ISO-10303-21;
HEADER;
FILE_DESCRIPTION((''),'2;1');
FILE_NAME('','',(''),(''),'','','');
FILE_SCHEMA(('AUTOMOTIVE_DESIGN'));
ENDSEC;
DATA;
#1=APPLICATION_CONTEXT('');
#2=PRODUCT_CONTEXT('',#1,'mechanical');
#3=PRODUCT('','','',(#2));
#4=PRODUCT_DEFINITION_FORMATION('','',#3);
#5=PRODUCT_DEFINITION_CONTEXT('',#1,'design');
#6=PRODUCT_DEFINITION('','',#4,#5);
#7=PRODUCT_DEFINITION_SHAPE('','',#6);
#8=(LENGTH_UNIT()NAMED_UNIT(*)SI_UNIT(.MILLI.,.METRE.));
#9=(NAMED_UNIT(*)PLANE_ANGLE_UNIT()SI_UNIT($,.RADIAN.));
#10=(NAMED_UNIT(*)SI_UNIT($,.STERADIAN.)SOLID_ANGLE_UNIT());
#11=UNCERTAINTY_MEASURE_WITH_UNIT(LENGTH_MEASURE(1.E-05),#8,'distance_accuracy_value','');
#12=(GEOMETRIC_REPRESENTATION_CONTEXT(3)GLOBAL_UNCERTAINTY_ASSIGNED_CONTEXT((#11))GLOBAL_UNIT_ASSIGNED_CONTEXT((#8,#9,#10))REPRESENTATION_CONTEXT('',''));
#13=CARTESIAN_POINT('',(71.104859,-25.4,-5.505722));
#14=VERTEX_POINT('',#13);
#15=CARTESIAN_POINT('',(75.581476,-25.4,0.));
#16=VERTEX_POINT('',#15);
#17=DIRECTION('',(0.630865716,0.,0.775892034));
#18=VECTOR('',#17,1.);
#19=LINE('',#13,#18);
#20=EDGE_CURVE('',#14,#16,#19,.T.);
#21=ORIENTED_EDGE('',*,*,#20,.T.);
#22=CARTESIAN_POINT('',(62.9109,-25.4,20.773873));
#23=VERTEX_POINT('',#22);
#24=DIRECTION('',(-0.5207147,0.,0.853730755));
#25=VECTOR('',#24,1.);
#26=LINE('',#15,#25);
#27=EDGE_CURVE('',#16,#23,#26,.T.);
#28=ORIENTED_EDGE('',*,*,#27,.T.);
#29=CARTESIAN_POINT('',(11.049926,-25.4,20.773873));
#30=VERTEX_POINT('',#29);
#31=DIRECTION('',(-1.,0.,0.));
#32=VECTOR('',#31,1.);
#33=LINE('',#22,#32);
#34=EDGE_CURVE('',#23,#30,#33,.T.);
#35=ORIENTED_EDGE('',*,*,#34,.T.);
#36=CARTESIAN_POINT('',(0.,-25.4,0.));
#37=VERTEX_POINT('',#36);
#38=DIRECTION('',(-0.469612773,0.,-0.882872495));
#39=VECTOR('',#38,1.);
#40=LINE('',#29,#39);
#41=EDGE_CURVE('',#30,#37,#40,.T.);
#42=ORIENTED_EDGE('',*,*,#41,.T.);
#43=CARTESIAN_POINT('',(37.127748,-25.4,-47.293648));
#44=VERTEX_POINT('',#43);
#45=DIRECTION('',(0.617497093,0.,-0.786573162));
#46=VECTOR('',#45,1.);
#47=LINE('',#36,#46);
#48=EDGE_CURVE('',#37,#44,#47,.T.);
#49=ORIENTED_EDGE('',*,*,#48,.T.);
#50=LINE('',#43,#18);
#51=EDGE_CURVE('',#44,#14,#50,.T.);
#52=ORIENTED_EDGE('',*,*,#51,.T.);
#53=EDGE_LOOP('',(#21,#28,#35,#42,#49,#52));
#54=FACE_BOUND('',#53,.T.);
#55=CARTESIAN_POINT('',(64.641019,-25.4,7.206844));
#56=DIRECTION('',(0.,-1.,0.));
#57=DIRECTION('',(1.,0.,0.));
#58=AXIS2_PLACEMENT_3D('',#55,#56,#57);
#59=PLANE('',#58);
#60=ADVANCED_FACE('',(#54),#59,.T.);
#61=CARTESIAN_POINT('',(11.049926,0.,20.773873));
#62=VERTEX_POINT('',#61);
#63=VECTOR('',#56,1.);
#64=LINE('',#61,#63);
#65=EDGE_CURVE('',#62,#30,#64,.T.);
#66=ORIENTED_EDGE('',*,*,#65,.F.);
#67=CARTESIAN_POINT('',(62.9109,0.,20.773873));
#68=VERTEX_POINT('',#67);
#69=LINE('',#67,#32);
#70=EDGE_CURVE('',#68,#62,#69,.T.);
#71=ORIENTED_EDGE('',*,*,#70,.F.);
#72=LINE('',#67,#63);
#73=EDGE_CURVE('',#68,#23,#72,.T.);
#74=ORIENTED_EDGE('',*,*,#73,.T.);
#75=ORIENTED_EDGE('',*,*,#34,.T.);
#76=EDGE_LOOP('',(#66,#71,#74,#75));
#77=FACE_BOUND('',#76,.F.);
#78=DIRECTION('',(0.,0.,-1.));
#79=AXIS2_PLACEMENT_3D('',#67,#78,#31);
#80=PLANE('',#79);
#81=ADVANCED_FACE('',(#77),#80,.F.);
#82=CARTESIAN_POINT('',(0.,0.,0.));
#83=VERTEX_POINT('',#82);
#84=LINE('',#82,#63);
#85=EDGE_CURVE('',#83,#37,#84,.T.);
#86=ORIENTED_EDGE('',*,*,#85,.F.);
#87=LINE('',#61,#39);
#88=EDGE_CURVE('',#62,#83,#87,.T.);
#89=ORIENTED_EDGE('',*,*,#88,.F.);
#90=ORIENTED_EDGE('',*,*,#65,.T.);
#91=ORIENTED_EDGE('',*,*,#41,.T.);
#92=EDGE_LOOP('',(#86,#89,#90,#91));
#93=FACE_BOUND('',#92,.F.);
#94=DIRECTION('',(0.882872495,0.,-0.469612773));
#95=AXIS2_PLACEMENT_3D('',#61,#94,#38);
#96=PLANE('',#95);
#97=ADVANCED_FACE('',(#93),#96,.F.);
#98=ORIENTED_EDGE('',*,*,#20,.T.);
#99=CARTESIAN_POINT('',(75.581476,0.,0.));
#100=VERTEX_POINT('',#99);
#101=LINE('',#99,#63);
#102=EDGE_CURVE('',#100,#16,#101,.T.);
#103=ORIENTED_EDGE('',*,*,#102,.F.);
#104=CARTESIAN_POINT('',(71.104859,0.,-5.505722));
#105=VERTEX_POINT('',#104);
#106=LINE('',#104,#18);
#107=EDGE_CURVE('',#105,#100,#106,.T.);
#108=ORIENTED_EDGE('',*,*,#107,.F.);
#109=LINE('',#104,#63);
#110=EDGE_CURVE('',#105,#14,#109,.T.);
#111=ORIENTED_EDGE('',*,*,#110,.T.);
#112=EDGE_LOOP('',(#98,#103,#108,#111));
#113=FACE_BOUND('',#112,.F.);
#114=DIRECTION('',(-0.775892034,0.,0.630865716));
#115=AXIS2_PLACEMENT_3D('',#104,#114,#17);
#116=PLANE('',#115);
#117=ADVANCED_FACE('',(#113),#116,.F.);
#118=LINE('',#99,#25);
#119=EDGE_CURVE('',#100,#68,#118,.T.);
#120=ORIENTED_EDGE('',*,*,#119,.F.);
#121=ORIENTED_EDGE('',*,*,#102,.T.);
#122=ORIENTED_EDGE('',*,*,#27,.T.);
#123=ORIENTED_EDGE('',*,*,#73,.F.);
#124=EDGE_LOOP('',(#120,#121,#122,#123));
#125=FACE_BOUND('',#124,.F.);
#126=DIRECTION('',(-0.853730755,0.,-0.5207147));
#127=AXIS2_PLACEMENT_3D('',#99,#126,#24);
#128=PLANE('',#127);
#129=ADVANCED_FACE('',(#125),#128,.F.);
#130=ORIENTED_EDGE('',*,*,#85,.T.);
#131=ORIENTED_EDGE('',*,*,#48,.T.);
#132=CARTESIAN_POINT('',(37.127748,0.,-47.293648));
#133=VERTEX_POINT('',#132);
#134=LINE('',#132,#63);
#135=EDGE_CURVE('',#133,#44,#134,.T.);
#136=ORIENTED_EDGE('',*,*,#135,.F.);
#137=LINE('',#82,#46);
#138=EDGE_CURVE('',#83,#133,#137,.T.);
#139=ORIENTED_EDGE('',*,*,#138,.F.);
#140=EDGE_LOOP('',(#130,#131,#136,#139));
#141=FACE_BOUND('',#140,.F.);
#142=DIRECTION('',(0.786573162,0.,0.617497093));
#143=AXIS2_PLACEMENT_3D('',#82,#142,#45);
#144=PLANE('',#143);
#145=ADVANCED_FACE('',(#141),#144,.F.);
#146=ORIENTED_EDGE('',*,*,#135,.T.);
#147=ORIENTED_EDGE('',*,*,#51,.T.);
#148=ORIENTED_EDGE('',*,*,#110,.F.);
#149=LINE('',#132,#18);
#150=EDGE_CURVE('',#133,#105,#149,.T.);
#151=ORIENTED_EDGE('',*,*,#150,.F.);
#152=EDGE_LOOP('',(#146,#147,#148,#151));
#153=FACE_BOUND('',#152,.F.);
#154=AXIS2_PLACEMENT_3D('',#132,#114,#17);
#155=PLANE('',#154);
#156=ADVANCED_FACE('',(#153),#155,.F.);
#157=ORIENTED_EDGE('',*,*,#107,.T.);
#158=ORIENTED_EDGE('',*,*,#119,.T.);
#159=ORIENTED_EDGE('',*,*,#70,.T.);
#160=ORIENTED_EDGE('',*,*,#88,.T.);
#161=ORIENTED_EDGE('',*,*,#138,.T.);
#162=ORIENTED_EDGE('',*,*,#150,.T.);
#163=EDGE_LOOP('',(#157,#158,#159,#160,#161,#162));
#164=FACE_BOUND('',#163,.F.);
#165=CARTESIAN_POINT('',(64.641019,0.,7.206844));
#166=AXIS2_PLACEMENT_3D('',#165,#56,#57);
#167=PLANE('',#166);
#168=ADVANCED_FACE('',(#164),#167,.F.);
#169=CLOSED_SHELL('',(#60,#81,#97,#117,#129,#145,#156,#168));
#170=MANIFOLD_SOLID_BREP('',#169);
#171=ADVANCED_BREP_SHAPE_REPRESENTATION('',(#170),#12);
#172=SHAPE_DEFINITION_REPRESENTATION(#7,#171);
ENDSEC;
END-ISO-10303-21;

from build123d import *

# Parameters (mm, degrees)
F1_DEPTH = 25.4


with BuildPart() as f1:
    # F0 (on Front) → F1 (new body)
    with BuildSketch(Plane.XZ):
        Polygon((55.0420084709, 0), (75.5814760923, 0), (62.9108995199, 20.7738727331), align=None)
        Polygon((71.1048590126, -5.5057224405), (75.5814760923, 0), (55.0420084709, 0), (37.1277481318, -47.2936481237), align=None)
        Polygon((55.0420084709, 0), (62.9108995199, 20.7738727331), (34.9177569151, 20.7738727331), align=None)
        Polygon((19.0087493065, 0), (55.0420084709, 0), (34.9177569151, 20.7738727331), align=None)
        Polygon((37.1277481318, -47.2936481237), (55.0420084709, 0), (19.0087493065, 0), align=None)
        Polygon((19.0087493065, 0), (34.9177569151, 20.7738727331), (16.6485458612, 20.7738727331), (11.049926281, 20.7738727331), align=None)
        Polygon((0, 0), (37.1277481318, -47.2936481237), (19.0087493065, 0), align=None)
        Polygon((0, 0), (19.0087493065, 0), (11.049926281, 20.7738727331), align=None)
    extrude(amount=F1_DEPTH)


solid = f1.part
